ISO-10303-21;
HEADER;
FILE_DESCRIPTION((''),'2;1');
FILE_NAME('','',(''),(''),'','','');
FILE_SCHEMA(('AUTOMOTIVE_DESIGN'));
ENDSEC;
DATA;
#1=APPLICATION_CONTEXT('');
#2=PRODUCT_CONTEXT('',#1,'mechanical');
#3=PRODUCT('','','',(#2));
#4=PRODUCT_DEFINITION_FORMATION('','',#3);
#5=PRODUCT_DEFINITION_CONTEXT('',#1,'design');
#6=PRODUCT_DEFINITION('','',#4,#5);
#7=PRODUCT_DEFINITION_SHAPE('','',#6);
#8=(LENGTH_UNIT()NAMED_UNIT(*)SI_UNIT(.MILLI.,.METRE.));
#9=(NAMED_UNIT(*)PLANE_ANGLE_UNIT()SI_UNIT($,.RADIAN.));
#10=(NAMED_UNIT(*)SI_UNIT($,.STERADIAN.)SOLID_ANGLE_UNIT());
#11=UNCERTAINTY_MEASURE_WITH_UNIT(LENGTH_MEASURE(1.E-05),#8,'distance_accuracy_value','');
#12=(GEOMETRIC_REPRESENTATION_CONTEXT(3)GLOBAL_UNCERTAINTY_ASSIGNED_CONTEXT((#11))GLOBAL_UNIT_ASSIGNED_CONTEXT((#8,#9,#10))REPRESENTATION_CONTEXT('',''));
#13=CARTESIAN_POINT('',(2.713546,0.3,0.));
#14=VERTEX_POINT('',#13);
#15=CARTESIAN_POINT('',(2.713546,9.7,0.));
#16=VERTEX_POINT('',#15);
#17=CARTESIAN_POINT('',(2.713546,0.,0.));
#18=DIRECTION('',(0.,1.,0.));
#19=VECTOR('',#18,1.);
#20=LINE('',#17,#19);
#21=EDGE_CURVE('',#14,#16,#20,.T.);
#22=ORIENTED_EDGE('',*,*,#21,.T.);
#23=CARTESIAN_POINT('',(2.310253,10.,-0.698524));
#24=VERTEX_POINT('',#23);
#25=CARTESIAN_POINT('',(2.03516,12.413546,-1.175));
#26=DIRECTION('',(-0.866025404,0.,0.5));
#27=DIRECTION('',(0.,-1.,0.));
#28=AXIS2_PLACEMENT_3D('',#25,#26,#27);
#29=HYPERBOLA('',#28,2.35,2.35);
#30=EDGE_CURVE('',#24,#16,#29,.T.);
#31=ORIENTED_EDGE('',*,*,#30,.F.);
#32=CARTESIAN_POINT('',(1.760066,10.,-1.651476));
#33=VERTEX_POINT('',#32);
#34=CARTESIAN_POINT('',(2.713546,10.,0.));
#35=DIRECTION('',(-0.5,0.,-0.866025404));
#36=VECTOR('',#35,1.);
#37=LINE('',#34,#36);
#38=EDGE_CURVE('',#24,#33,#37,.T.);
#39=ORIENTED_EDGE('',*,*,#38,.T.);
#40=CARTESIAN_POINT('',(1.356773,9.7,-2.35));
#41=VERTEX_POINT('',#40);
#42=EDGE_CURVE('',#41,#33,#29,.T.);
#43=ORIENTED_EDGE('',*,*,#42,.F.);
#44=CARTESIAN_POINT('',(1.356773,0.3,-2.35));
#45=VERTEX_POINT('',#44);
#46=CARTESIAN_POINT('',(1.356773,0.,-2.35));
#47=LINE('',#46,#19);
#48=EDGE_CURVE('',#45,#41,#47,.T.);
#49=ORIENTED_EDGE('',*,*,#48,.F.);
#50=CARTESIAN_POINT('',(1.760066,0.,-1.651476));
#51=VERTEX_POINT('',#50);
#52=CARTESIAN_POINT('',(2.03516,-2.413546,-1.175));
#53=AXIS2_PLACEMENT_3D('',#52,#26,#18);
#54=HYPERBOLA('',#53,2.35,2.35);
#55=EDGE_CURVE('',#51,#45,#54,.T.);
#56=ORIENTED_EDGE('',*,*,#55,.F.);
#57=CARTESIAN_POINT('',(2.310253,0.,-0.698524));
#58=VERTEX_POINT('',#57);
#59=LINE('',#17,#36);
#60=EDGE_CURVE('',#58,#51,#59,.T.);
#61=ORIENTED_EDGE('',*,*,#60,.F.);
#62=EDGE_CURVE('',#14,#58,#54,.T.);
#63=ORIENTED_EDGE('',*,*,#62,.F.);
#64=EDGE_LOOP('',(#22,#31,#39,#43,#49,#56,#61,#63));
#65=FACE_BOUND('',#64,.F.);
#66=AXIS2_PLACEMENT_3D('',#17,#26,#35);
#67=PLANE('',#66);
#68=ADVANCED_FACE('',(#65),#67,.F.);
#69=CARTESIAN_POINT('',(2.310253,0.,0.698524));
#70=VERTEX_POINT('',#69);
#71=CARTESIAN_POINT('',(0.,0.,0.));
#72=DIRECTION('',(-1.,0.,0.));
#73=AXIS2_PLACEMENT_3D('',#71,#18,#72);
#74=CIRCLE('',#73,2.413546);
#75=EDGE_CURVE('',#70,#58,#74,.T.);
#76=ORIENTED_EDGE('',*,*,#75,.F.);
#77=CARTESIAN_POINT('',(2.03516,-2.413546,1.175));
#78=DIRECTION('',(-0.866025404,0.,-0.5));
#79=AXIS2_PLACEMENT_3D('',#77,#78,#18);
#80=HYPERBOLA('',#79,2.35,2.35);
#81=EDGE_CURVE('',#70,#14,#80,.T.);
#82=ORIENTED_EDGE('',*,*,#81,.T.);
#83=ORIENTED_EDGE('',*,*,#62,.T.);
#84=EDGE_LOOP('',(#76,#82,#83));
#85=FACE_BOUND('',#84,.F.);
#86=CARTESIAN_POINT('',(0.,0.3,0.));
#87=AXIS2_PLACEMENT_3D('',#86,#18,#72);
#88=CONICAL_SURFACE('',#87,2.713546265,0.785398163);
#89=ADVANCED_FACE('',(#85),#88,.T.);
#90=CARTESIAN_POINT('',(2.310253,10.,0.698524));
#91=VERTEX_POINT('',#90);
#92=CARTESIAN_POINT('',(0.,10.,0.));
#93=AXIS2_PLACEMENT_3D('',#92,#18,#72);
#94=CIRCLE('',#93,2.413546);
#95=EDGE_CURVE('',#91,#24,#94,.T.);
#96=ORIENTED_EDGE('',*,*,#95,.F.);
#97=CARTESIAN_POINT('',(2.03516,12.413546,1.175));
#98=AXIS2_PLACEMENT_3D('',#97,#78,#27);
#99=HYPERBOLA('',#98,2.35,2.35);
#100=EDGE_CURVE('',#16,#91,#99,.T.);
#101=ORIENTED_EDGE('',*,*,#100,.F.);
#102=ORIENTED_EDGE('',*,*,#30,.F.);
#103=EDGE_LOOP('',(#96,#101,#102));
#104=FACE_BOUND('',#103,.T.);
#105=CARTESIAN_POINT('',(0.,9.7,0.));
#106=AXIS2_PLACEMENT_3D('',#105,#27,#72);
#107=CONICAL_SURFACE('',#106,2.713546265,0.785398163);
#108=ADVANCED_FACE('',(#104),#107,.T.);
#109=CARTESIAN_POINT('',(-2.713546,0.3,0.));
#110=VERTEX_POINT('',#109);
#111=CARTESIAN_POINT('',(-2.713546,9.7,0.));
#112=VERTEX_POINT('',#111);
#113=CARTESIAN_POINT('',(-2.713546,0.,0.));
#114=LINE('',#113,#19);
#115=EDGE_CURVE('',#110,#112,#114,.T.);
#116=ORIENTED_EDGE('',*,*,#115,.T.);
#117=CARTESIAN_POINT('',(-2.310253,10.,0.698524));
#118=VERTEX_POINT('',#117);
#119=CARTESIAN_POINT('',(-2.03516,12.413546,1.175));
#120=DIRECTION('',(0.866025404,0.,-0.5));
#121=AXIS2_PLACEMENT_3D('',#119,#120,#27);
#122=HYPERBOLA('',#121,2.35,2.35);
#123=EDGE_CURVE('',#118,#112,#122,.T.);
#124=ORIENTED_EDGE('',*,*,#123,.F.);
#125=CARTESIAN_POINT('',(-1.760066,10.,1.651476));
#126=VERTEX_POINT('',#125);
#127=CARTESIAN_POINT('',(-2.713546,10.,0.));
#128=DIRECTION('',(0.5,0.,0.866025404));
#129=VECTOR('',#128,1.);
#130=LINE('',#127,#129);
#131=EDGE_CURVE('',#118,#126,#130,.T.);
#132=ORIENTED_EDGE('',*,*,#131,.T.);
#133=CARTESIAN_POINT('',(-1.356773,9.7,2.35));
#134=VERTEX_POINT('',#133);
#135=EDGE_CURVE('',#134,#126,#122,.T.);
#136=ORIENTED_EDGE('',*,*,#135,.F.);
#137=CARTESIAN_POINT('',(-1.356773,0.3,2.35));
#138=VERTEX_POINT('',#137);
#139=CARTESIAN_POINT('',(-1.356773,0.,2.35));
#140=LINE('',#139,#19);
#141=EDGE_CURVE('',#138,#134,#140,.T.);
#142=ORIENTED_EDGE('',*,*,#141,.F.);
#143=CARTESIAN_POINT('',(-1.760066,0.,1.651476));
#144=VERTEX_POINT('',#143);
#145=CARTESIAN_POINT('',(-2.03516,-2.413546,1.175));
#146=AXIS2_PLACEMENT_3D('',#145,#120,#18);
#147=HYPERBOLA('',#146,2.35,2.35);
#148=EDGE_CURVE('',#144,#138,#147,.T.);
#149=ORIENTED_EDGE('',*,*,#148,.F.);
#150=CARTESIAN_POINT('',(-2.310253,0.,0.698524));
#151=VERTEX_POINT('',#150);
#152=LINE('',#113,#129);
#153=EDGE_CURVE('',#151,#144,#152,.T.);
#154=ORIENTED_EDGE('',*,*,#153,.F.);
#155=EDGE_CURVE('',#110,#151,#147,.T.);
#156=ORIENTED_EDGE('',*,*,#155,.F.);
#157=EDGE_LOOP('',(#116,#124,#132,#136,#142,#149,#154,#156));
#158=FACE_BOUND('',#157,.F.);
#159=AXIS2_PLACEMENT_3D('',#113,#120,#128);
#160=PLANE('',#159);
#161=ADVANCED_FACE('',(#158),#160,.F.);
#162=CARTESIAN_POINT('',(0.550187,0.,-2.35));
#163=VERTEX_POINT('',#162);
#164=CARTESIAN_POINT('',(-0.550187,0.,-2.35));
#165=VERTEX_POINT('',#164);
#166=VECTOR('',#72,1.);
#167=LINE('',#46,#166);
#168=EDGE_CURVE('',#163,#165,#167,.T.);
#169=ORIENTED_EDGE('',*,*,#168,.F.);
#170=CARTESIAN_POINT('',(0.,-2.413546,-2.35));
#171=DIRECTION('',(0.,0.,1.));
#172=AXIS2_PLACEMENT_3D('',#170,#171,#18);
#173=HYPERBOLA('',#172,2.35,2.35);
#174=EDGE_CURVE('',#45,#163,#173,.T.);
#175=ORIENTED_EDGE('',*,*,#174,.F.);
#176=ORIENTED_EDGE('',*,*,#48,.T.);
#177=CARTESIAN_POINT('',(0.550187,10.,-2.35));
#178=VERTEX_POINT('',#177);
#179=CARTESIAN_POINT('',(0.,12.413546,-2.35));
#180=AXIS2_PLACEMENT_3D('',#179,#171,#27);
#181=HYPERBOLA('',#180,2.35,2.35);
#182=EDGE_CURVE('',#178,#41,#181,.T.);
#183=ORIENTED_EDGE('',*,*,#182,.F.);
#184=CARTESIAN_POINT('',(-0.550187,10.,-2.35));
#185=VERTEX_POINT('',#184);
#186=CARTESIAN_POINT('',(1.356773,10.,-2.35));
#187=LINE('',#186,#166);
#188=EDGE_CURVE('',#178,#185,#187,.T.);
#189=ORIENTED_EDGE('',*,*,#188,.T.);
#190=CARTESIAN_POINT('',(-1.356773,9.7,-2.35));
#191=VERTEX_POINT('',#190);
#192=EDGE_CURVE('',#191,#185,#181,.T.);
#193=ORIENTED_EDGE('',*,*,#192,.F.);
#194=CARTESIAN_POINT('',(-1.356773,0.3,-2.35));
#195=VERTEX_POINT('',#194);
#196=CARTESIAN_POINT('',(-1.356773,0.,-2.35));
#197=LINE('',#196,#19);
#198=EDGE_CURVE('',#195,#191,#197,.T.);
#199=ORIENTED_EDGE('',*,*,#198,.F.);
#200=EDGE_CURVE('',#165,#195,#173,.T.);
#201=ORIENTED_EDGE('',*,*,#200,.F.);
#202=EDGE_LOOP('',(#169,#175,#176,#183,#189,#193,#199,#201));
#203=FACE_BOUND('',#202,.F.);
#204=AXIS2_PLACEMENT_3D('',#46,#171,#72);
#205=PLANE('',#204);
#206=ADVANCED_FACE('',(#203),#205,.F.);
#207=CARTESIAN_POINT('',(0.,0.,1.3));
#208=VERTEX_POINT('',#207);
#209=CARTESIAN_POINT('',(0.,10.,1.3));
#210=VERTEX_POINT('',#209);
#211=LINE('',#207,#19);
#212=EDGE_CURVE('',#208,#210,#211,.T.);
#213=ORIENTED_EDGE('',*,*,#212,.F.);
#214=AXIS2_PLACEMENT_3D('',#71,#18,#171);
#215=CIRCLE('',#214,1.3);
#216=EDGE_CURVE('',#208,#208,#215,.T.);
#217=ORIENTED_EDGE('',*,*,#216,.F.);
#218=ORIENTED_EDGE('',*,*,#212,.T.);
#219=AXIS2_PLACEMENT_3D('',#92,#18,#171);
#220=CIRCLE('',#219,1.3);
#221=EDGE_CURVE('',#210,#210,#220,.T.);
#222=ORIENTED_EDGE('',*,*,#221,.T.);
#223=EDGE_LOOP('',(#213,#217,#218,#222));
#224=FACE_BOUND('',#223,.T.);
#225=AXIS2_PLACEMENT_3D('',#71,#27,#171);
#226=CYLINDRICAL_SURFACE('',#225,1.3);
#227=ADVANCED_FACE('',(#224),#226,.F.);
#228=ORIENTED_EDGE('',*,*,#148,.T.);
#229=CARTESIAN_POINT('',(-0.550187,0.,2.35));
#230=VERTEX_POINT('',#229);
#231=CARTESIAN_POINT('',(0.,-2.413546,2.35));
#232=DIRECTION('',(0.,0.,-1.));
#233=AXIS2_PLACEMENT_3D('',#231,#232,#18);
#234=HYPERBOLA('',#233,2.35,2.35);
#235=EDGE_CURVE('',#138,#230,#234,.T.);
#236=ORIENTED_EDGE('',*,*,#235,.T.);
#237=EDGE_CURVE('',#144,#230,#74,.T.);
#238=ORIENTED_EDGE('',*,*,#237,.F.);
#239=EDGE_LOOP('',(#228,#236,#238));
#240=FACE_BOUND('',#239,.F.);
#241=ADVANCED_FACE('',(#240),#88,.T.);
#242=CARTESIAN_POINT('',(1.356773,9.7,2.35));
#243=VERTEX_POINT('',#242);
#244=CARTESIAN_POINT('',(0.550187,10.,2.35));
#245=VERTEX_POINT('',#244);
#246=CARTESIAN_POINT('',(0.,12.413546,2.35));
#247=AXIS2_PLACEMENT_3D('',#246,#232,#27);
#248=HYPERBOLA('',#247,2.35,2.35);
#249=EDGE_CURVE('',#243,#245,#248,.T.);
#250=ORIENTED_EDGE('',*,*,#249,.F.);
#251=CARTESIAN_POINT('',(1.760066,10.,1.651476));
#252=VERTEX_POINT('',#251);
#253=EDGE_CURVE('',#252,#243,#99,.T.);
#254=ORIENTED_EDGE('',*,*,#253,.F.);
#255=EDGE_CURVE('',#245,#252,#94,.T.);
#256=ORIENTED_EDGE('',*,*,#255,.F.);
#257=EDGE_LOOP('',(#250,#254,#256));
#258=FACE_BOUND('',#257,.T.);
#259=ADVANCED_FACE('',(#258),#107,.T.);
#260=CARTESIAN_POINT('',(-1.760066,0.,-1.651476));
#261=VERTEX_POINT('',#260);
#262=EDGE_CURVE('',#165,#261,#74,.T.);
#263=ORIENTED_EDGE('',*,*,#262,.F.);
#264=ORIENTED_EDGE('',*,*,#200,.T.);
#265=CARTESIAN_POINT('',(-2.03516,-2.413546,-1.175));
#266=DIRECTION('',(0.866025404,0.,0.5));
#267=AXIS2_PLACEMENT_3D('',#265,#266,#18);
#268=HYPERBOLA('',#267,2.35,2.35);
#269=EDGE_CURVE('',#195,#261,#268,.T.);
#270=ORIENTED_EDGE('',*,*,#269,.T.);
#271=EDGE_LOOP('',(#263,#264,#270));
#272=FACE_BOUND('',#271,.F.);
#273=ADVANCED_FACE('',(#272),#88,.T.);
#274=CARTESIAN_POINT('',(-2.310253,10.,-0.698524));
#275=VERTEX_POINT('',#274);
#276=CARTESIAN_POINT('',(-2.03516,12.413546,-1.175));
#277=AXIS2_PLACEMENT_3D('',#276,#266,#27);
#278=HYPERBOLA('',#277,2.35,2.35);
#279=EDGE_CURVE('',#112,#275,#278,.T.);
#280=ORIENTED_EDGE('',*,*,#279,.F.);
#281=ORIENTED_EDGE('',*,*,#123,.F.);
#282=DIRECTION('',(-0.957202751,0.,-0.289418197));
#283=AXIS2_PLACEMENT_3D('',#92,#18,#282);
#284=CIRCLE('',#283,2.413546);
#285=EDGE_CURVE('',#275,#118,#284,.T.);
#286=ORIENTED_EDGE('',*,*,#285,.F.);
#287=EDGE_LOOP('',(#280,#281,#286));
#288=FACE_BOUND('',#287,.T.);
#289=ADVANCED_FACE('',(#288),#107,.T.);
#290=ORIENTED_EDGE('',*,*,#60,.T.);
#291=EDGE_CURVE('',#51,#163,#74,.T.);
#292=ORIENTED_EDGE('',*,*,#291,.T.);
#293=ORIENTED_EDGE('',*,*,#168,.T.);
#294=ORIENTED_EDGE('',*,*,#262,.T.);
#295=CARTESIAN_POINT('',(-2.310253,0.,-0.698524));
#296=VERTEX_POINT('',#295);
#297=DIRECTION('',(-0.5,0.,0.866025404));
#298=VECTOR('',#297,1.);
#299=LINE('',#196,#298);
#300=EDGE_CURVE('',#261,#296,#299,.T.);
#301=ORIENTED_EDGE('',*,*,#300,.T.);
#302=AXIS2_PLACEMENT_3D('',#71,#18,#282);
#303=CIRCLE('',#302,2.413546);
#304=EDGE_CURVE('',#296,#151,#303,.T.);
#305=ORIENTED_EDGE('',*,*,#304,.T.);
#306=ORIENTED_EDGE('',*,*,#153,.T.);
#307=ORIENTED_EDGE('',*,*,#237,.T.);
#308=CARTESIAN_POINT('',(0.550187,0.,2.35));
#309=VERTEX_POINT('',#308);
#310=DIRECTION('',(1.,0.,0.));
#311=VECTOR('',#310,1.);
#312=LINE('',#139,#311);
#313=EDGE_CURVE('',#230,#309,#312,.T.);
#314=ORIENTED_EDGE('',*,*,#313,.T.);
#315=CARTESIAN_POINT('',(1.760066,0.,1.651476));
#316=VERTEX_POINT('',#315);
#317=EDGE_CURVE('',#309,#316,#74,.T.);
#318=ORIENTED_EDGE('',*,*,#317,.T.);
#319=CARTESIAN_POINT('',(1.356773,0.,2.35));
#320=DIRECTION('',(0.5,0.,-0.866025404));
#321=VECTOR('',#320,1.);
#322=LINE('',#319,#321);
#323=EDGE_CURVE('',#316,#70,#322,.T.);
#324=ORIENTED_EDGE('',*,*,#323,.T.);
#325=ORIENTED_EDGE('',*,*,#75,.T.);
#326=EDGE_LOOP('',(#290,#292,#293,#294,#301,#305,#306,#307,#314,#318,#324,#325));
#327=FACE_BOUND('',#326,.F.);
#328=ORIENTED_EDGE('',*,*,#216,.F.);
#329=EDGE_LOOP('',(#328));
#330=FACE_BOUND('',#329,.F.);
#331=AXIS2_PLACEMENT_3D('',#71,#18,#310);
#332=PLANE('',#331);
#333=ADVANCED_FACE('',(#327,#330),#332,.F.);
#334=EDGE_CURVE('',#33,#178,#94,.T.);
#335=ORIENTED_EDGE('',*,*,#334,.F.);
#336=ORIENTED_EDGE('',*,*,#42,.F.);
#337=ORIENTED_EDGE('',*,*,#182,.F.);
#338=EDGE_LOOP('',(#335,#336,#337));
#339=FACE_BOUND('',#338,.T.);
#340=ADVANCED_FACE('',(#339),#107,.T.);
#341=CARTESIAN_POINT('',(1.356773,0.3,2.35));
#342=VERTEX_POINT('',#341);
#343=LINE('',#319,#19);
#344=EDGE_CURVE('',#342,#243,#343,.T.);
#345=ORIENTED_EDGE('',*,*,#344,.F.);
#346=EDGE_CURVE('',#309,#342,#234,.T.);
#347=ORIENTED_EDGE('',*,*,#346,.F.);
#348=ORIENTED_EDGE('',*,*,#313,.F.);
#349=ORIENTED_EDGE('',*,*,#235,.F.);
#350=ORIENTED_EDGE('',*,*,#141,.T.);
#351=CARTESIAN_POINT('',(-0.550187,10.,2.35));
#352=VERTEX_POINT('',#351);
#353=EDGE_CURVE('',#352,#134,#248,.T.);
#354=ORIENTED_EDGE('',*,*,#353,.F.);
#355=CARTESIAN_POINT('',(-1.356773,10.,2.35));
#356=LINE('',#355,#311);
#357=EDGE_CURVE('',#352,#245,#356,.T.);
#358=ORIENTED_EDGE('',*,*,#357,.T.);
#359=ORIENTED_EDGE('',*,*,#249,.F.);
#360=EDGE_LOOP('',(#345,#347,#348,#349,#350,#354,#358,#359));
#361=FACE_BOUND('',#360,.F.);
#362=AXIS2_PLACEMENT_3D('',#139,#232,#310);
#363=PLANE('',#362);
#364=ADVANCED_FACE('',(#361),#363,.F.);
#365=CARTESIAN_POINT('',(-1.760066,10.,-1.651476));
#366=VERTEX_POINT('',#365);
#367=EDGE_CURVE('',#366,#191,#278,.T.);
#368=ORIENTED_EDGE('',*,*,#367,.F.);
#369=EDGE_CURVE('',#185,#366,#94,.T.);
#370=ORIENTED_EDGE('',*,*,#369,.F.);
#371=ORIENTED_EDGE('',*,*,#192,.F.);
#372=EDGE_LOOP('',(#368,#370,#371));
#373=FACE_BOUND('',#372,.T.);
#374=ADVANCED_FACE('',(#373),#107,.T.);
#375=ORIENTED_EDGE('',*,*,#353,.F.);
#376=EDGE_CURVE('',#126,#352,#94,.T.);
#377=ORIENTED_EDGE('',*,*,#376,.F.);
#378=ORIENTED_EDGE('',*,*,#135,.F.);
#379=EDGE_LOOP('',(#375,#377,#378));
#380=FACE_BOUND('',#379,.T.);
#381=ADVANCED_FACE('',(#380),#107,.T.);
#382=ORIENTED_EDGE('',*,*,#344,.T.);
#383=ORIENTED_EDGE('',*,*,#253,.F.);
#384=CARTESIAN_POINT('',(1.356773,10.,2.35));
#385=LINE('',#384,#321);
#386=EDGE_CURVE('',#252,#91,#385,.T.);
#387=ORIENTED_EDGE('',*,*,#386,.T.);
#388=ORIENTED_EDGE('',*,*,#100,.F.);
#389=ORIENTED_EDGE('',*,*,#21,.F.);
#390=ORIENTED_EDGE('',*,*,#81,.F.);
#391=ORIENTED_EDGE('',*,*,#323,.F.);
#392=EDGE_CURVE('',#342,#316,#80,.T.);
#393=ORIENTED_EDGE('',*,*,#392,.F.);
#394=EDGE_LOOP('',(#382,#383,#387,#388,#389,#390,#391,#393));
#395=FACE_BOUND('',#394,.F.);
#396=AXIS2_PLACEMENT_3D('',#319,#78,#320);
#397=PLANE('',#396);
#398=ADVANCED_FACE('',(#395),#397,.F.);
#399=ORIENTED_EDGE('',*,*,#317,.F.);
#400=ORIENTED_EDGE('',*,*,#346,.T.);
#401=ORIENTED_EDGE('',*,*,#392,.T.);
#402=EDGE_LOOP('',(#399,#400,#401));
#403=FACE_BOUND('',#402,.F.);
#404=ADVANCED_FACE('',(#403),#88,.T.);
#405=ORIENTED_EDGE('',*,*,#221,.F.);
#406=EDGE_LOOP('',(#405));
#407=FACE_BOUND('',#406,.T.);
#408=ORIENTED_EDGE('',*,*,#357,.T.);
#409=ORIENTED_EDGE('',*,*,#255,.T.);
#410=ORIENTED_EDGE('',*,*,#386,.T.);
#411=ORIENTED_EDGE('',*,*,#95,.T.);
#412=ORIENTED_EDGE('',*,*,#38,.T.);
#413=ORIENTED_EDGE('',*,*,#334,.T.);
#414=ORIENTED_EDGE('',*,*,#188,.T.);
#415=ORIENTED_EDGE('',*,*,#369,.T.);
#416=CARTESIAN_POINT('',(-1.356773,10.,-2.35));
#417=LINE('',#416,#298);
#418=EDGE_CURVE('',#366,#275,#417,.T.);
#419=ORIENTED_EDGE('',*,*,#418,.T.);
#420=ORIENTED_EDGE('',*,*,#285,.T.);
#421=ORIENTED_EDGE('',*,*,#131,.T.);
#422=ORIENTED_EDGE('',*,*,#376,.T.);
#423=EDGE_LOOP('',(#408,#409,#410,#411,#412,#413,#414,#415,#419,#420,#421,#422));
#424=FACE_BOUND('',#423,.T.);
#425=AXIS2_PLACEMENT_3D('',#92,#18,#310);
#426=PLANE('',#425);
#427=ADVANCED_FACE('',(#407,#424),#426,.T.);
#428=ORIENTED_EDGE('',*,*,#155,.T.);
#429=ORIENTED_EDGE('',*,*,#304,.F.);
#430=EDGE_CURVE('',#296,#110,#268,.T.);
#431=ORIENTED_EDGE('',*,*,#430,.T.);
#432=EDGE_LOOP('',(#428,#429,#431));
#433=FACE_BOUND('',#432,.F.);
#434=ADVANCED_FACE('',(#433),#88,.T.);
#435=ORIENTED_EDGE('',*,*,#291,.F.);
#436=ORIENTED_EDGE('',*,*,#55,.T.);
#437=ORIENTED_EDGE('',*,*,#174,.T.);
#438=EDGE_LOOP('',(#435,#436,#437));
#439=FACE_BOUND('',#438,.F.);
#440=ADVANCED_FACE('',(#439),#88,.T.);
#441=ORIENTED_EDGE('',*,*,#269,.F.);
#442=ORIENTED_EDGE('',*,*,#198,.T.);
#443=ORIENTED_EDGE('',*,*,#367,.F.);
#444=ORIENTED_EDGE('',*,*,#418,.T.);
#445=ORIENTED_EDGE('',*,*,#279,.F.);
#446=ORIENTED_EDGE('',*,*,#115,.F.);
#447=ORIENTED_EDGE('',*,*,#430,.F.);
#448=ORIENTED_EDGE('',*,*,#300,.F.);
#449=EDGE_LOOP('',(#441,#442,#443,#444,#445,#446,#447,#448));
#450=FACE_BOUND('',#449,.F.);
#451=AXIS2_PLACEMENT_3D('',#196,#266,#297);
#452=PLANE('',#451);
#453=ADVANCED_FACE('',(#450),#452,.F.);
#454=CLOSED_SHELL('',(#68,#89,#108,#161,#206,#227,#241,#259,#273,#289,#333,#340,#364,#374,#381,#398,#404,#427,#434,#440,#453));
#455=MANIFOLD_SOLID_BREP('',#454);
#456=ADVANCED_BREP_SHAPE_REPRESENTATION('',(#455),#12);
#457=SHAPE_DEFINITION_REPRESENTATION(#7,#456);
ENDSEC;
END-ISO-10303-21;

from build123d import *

# Parameters (mm, degrees)
SKETCH1_R           = 1.3
BOSS_EXTRUDE1_DEPTH = 10


with BuildPart() as part:
    # Sketch1 → Boss-Extrude1 (new body)
    with BuildSketch(Plane(origin=(0, 0, 0), x_dir=(1, 0, 0), z_dir=(0, 1, 0))):
        Polygon((-2.713546265, 0), (-1.356773133, -2.35), (1.356773133, -2.35), (2.713546265, 0), (1.356773133, 2.35), (-1.356773133, 2.35), align=None)
        with Locations(Location((0, 0, 0), (0, 0, 270))):
            Circle(SKETCH1_R, mode=Mode.SUBTRACT)
    extrude(amount=BOSS_EXTRUDE1_DEPTH)

    # Sketch6 → Cut-Revolve1 (revolve, cut)
    with BuildSketch(Plane.XY):
        Polygon((-2.713546265, 10), (-2.713546265, 9.7), (-2.413546265, 10), align=None)
        Polygon((-2.413546265, 0), (-2.713546265, 0), (-2.713546265, 0.3), align=None)
    revolve(axis=Axis((0, 0, 0), (0, 1, 0)), mode=Mode.SUBTRACT)


solid = part.part
